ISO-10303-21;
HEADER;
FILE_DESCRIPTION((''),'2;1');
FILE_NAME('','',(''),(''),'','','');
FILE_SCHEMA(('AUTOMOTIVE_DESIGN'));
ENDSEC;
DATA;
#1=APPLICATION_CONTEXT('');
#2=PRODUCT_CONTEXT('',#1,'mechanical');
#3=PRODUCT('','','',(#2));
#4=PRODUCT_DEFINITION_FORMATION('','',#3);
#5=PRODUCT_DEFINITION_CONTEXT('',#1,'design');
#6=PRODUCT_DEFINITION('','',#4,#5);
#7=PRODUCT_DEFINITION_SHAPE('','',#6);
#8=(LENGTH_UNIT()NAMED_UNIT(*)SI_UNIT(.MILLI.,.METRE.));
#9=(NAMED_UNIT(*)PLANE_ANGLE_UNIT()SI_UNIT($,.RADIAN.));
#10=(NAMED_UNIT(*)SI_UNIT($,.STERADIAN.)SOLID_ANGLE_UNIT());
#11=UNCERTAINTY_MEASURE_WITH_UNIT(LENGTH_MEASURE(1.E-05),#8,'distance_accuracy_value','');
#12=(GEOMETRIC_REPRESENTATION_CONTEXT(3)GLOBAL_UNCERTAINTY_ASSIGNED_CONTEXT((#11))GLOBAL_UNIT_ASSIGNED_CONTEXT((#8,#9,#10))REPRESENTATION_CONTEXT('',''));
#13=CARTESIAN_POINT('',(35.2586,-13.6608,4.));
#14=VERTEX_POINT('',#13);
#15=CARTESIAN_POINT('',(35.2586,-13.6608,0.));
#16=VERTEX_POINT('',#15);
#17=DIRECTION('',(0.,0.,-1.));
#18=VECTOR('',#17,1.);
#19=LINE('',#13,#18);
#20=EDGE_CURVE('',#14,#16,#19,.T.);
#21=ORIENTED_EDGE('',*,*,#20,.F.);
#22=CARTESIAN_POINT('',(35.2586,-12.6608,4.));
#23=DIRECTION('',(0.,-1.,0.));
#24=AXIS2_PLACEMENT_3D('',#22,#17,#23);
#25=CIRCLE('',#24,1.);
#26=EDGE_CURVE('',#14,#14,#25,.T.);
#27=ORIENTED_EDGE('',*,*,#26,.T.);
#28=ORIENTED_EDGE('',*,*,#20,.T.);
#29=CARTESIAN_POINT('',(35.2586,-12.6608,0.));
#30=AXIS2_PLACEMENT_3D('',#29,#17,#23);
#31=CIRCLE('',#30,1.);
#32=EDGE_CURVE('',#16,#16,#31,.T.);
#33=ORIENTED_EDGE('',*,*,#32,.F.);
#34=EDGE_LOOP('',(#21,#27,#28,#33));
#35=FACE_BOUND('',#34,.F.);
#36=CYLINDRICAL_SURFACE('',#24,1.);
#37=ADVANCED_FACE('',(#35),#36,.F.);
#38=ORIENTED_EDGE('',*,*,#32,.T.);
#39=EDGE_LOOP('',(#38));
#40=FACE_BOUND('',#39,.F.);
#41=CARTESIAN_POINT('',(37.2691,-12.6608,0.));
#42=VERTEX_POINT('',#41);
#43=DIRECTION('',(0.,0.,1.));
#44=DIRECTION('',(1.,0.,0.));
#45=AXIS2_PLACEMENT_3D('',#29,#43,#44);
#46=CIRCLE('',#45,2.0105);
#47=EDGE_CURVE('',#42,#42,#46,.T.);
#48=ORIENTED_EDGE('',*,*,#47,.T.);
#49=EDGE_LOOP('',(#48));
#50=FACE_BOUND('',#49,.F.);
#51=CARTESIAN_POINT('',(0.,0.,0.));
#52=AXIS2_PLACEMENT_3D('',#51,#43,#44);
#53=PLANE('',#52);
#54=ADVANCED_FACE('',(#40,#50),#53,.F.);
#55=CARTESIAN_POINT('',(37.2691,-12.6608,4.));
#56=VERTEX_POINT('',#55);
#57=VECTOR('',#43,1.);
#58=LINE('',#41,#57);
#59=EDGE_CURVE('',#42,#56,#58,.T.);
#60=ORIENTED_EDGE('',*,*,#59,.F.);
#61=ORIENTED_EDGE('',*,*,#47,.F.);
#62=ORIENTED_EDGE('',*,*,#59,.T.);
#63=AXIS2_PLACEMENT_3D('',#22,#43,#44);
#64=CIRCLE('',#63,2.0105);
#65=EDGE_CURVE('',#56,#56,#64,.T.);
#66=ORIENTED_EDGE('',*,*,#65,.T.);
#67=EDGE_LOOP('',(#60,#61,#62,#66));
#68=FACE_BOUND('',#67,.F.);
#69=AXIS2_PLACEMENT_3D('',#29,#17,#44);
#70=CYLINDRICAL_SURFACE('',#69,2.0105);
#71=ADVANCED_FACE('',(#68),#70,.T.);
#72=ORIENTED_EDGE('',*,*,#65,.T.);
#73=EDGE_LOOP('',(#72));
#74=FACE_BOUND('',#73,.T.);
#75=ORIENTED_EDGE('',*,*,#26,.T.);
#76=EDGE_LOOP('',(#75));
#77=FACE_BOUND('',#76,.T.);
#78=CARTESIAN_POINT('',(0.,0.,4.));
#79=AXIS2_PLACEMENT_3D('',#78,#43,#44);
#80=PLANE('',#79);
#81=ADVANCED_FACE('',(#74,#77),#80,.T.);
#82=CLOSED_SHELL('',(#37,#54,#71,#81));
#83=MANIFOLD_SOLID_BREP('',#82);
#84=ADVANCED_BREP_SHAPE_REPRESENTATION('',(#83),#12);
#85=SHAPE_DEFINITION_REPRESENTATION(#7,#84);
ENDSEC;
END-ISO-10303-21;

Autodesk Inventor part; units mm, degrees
ref_plane "YZ Plane" through (0, 0, 0) normal (1, 0, 0) x (0, 1, 0)
ref_plane "XZ Plane" through (0, 0, 0) normal (0, 1, 0) x (-1, 0, 0)
ref_plane "XY Plane" through (0, 0, 0) normal (0, 0, 1) x (1, 0, 0)
ref_plane "Work Plane1" through (0, 0, 0) normal (0, 0, 1) x (1, 0, 0)
sketch "Sketch1" plane through (0, 0, 0) normal (0, 0, 1) x (1, 0, 0)
  circle A0 centre (35.2586, -12.6608) radius 2.0105 construction
  circle A1 centre (35.2586, -12.6608) radius 2.0105
  point P0 (0, 0)
  dimension "d1" = 4.021
extrude "Extrusion1" add sketch "Sketch1" along normal blind 4
sketch "Sketch2" plane through (35.2586, -12.6608, 4) normal (0, 0, 1) x (1, 0, 0)
  circle A0 centre (0, 0) radius 2.0105 projected
  point P0 (-35.2586, 12.6608)
hole "Hole1" at (35.2586, -12.6608, 4) direction (0, 0, -1) diameter 2 end through all
properties part number "TrapLimiter"
